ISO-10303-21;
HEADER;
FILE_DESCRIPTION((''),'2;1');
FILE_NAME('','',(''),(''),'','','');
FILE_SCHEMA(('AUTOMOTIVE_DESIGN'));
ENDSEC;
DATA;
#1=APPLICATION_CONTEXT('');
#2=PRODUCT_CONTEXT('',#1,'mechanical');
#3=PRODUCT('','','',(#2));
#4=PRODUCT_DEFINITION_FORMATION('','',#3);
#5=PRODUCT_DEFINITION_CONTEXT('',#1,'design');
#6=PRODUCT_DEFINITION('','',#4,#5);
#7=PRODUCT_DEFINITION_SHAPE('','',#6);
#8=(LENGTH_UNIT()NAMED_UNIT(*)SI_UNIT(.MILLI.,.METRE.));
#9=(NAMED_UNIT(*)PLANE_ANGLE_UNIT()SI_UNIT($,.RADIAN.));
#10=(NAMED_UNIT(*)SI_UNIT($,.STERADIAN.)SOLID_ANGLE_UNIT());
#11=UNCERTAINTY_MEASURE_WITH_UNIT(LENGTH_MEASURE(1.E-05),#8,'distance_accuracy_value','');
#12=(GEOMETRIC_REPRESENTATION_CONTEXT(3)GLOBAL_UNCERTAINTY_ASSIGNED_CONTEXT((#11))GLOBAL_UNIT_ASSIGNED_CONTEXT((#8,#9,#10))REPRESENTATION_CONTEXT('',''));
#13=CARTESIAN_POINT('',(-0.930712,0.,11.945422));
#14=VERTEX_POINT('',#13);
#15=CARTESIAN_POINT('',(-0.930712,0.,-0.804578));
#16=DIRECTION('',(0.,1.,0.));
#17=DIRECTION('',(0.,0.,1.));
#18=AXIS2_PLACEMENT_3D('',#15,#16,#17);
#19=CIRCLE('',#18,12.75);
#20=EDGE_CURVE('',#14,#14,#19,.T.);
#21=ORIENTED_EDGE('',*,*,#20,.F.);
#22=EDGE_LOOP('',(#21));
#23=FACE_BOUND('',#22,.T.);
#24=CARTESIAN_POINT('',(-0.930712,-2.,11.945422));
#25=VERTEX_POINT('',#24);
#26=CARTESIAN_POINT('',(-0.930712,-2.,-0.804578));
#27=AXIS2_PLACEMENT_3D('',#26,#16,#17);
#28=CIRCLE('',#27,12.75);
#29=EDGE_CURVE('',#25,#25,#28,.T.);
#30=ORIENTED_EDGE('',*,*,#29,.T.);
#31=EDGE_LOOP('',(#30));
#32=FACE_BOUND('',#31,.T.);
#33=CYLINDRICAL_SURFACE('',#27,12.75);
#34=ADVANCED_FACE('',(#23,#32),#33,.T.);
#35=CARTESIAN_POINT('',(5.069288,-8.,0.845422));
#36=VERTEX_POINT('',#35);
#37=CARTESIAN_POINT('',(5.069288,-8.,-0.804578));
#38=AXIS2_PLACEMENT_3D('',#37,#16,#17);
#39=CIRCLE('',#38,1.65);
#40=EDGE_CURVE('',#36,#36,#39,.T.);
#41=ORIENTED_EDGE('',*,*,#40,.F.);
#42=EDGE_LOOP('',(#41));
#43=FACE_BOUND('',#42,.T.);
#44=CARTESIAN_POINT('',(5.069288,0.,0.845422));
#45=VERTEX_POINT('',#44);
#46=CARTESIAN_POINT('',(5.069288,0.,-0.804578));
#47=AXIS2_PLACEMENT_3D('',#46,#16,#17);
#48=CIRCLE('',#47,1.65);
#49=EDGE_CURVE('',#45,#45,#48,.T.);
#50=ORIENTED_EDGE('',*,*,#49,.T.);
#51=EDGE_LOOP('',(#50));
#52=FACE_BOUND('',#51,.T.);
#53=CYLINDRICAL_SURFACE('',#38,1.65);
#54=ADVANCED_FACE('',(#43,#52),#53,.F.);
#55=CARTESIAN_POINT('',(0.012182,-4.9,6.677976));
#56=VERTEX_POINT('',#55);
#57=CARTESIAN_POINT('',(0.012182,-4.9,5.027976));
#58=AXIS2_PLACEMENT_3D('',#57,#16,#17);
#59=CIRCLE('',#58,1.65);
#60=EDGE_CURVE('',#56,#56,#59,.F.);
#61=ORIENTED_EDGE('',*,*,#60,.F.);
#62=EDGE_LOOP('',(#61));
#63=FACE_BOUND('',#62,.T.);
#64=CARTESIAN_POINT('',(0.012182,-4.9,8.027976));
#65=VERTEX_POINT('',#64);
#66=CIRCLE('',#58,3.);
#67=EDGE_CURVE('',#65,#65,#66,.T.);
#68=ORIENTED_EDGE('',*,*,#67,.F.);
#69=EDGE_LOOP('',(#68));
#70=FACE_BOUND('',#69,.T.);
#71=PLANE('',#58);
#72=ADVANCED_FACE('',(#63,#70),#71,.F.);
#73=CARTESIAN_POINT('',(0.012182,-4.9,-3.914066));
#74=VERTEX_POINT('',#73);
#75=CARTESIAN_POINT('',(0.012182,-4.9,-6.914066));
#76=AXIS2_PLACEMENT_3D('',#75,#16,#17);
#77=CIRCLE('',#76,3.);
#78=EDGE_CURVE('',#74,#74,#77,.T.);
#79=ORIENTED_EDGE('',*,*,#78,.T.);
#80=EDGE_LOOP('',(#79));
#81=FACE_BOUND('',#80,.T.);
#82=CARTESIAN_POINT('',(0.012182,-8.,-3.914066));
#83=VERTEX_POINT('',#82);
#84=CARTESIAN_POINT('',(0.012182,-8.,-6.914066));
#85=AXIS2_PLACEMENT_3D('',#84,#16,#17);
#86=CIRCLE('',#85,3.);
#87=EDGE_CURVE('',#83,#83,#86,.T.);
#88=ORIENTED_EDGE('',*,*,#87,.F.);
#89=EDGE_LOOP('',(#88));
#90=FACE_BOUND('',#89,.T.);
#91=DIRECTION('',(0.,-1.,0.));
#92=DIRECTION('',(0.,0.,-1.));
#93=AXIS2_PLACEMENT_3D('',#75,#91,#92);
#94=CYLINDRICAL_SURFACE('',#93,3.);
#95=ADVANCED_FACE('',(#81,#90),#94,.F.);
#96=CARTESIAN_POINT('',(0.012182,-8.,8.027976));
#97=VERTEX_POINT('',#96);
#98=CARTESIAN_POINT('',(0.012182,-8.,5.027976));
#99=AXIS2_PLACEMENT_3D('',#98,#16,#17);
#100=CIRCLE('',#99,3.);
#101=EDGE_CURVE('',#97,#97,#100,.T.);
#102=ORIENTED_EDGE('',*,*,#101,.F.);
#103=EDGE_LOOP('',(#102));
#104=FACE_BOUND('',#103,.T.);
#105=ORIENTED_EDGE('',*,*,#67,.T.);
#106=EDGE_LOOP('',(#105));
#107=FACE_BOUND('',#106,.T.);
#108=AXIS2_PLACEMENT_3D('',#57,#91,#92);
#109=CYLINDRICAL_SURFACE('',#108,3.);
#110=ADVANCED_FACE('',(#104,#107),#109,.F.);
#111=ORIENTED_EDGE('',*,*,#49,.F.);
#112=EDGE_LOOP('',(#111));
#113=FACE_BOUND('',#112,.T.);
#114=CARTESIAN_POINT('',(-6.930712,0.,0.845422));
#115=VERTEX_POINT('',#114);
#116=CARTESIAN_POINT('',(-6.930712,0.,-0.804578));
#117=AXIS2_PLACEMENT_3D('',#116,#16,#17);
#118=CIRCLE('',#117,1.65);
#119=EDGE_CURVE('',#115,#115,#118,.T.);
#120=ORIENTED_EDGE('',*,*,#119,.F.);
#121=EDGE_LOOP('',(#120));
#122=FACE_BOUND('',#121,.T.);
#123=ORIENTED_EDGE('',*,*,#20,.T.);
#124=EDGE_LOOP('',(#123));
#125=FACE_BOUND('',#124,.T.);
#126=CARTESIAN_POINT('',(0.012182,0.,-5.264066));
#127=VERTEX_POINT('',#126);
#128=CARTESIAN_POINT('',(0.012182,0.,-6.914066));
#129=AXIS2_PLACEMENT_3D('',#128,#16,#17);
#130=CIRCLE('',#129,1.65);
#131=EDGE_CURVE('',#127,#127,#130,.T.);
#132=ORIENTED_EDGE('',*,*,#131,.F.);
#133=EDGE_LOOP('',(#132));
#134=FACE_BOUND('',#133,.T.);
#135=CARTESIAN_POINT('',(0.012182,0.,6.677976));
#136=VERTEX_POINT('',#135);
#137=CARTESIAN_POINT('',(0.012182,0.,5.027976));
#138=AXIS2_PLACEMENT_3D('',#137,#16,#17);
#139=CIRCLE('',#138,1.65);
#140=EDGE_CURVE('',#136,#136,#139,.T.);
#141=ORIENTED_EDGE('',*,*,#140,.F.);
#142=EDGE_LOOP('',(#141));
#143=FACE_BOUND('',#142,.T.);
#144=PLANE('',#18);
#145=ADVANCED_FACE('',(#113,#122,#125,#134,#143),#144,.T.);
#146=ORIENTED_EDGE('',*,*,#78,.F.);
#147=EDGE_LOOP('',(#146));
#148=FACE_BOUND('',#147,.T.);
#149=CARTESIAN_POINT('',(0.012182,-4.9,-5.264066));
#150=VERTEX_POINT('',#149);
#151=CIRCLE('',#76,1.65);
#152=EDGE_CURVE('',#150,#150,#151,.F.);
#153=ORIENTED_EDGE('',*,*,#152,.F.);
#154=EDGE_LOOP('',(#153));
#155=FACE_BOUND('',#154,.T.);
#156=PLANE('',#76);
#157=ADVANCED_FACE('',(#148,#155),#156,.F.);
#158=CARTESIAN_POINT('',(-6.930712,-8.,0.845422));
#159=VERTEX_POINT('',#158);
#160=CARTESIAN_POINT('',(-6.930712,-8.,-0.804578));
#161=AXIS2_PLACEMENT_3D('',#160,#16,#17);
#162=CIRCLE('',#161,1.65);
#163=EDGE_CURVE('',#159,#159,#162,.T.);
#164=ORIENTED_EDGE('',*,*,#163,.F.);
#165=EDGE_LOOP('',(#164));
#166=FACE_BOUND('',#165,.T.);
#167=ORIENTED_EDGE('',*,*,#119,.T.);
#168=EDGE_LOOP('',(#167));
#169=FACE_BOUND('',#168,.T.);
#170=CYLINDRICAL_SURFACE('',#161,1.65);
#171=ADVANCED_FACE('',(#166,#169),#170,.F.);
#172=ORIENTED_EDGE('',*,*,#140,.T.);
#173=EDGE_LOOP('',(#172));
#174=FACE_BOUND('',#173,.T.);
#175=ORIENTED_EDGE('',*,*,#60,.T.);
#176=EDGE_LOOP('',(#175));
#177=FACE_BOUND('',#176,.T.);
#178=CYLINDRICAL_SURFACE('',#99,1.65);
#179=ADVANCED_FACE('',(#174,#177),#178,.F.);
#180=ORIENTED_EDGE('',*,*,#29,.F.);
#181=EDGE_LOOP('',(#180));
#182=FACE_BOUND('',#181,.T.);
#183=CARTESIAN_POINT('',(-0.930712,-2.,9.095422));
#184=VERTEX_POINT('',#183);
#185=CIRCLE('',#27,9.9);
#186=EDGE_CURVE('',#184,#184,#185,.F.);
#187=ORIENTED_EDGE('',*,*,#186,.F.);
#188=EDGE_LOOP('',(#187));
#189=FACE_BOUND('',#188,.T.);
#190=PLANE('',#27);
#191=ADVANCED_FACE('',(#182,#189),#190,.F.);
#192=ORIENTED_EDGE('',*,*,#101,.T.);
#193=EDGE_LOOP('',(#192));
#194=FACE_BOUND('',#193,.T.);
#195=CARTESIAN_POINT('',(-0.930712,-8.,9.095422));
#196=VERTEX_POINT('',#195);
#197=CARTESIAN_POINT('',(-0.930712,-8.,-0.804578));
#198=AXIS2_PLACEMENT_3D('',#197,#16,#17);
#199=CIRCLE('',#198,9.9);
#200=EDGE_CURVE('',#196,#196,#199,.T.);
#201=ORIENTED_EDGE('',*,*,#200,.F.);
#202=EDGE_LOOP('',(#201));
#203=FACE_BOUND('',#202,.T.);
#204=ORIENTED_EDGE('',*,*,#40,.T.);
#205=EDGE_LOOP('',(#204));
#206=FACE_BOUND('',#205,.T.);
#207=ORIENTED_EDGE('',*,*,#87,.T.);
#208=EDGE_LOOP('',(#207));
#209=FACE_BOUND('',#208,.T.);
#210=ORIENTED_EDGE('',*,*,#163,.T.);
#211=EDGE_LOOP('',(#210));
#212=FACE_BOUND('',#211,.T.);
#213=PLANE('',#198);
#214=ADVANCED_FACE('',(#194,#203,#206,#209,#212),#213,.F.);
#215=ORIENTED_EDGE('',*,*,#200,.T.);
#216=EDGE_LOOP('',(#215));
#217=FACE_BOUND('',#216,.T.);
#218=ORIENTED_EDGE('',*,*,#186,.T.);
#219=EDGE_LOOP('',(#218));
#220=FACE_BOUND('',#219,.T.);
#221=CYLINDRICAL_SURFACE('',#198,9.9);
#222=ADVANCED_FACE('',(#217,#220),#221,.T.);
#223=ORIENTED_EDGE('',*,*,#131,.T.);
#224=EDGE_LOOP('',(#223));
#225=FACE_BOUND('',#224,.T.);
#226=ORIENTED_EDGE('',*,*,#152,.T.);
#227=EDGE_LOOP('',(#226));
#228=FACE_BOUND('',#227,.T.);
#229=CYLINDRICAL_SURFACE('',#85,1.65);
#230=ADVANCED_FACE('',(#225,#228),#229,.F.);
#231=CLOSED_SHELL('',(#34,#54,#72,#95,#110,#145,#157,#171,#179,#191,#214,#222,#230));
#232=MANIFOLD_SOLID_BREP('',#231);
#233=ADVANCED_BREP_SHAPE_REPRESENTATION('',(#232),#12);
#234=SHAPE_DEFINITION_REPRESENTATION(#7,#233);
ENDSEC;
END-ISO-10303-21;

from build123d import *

# Parameters (mm, degrees)
SKETCH2_R           = 9.9
BOSS_EXTRUDE1_DEPTH = 8
SKETCH2_3_R         = 12.75
BOSS_EXTRUDE2_DEPTH = 2
SKETCH2_4_R         = 1.65
CUT_EXTRUDE1_DEPTH  = 9
CUT_EXTRUDE2_START  = -8
SKETCH2_5_R         = 3
CUT_EXTRUDE2_DEPTH  = 3.1


with BuildPart() as part:
    # Sketch2 → Boss-Extrude1 (new body)
    with BuildSketch(Plane(origin=(0, 0, 0), x_dir=(1, 0, 0), z_dir=(0, 1, 0))):
        with Locations((-0.930712346, 0.804578045)):
            Circle(SKETCH2_R)
    extrude(amount=-BOSS_EXTRUDE1_DEPTH)

    # Sketch2<3> → Boss-Extrude2 (add)
    with BuildSketch(Plane(origin=(0, 0, 0), x_dir=(1, 0, 0), z_dir=(0, 1, 0))):
        with Locations((-0.930712346, 0.804578045)):
            Circle(SKETCH2_3_R)
    extrude(amount=-BOSS_EXTRUDE2_DEPTH)

    # Sketch2<4> → Cut-Extrude1 (cut, through all)
    with BuildSketch(Plane(origin=(0, 0, 0), x_dir=(1, 0, 0), z_dir=(0, 1, 0))):
        with Locations((0.012181629, 6.914065552)):
            Circle(SKETCH2_4_R)
        with Locations((0.012181629, -5.027976136)):
            Circle(SKETCH2_4_R)
        with Locations((-6.930712346, 0.804578045)):
            Circle(SKETCH2_4_R)
        with Locations((5.069287654, 0.804578045)):
            Circle(SKETCH2_4_R)
    extrude(amount=-CUT_EXTRUDE1_DEPTH, mode=Mode.SUBTRACT)

    # Sketch2<5> → Cut-Extrude2 (cut)
    with BuildSketch(Plane(origin=(0, 0, 0), x_dir=(1, 0, 0), z_dir=(0, 1, 0)).offset(CUT_EXTRUDE2_START)):
        with Locations((0.012181629, 6.914065552)):
            Circle(SKETCH2_5_R)
        with Locations((0.012181629, -5.027976136)):
            Circle(SKETCH2_5_R)
    extrude(amount=CUT_EXTRUDE2_DEPTH, mode=Mode.SUBTRACT)


solid = part.part
